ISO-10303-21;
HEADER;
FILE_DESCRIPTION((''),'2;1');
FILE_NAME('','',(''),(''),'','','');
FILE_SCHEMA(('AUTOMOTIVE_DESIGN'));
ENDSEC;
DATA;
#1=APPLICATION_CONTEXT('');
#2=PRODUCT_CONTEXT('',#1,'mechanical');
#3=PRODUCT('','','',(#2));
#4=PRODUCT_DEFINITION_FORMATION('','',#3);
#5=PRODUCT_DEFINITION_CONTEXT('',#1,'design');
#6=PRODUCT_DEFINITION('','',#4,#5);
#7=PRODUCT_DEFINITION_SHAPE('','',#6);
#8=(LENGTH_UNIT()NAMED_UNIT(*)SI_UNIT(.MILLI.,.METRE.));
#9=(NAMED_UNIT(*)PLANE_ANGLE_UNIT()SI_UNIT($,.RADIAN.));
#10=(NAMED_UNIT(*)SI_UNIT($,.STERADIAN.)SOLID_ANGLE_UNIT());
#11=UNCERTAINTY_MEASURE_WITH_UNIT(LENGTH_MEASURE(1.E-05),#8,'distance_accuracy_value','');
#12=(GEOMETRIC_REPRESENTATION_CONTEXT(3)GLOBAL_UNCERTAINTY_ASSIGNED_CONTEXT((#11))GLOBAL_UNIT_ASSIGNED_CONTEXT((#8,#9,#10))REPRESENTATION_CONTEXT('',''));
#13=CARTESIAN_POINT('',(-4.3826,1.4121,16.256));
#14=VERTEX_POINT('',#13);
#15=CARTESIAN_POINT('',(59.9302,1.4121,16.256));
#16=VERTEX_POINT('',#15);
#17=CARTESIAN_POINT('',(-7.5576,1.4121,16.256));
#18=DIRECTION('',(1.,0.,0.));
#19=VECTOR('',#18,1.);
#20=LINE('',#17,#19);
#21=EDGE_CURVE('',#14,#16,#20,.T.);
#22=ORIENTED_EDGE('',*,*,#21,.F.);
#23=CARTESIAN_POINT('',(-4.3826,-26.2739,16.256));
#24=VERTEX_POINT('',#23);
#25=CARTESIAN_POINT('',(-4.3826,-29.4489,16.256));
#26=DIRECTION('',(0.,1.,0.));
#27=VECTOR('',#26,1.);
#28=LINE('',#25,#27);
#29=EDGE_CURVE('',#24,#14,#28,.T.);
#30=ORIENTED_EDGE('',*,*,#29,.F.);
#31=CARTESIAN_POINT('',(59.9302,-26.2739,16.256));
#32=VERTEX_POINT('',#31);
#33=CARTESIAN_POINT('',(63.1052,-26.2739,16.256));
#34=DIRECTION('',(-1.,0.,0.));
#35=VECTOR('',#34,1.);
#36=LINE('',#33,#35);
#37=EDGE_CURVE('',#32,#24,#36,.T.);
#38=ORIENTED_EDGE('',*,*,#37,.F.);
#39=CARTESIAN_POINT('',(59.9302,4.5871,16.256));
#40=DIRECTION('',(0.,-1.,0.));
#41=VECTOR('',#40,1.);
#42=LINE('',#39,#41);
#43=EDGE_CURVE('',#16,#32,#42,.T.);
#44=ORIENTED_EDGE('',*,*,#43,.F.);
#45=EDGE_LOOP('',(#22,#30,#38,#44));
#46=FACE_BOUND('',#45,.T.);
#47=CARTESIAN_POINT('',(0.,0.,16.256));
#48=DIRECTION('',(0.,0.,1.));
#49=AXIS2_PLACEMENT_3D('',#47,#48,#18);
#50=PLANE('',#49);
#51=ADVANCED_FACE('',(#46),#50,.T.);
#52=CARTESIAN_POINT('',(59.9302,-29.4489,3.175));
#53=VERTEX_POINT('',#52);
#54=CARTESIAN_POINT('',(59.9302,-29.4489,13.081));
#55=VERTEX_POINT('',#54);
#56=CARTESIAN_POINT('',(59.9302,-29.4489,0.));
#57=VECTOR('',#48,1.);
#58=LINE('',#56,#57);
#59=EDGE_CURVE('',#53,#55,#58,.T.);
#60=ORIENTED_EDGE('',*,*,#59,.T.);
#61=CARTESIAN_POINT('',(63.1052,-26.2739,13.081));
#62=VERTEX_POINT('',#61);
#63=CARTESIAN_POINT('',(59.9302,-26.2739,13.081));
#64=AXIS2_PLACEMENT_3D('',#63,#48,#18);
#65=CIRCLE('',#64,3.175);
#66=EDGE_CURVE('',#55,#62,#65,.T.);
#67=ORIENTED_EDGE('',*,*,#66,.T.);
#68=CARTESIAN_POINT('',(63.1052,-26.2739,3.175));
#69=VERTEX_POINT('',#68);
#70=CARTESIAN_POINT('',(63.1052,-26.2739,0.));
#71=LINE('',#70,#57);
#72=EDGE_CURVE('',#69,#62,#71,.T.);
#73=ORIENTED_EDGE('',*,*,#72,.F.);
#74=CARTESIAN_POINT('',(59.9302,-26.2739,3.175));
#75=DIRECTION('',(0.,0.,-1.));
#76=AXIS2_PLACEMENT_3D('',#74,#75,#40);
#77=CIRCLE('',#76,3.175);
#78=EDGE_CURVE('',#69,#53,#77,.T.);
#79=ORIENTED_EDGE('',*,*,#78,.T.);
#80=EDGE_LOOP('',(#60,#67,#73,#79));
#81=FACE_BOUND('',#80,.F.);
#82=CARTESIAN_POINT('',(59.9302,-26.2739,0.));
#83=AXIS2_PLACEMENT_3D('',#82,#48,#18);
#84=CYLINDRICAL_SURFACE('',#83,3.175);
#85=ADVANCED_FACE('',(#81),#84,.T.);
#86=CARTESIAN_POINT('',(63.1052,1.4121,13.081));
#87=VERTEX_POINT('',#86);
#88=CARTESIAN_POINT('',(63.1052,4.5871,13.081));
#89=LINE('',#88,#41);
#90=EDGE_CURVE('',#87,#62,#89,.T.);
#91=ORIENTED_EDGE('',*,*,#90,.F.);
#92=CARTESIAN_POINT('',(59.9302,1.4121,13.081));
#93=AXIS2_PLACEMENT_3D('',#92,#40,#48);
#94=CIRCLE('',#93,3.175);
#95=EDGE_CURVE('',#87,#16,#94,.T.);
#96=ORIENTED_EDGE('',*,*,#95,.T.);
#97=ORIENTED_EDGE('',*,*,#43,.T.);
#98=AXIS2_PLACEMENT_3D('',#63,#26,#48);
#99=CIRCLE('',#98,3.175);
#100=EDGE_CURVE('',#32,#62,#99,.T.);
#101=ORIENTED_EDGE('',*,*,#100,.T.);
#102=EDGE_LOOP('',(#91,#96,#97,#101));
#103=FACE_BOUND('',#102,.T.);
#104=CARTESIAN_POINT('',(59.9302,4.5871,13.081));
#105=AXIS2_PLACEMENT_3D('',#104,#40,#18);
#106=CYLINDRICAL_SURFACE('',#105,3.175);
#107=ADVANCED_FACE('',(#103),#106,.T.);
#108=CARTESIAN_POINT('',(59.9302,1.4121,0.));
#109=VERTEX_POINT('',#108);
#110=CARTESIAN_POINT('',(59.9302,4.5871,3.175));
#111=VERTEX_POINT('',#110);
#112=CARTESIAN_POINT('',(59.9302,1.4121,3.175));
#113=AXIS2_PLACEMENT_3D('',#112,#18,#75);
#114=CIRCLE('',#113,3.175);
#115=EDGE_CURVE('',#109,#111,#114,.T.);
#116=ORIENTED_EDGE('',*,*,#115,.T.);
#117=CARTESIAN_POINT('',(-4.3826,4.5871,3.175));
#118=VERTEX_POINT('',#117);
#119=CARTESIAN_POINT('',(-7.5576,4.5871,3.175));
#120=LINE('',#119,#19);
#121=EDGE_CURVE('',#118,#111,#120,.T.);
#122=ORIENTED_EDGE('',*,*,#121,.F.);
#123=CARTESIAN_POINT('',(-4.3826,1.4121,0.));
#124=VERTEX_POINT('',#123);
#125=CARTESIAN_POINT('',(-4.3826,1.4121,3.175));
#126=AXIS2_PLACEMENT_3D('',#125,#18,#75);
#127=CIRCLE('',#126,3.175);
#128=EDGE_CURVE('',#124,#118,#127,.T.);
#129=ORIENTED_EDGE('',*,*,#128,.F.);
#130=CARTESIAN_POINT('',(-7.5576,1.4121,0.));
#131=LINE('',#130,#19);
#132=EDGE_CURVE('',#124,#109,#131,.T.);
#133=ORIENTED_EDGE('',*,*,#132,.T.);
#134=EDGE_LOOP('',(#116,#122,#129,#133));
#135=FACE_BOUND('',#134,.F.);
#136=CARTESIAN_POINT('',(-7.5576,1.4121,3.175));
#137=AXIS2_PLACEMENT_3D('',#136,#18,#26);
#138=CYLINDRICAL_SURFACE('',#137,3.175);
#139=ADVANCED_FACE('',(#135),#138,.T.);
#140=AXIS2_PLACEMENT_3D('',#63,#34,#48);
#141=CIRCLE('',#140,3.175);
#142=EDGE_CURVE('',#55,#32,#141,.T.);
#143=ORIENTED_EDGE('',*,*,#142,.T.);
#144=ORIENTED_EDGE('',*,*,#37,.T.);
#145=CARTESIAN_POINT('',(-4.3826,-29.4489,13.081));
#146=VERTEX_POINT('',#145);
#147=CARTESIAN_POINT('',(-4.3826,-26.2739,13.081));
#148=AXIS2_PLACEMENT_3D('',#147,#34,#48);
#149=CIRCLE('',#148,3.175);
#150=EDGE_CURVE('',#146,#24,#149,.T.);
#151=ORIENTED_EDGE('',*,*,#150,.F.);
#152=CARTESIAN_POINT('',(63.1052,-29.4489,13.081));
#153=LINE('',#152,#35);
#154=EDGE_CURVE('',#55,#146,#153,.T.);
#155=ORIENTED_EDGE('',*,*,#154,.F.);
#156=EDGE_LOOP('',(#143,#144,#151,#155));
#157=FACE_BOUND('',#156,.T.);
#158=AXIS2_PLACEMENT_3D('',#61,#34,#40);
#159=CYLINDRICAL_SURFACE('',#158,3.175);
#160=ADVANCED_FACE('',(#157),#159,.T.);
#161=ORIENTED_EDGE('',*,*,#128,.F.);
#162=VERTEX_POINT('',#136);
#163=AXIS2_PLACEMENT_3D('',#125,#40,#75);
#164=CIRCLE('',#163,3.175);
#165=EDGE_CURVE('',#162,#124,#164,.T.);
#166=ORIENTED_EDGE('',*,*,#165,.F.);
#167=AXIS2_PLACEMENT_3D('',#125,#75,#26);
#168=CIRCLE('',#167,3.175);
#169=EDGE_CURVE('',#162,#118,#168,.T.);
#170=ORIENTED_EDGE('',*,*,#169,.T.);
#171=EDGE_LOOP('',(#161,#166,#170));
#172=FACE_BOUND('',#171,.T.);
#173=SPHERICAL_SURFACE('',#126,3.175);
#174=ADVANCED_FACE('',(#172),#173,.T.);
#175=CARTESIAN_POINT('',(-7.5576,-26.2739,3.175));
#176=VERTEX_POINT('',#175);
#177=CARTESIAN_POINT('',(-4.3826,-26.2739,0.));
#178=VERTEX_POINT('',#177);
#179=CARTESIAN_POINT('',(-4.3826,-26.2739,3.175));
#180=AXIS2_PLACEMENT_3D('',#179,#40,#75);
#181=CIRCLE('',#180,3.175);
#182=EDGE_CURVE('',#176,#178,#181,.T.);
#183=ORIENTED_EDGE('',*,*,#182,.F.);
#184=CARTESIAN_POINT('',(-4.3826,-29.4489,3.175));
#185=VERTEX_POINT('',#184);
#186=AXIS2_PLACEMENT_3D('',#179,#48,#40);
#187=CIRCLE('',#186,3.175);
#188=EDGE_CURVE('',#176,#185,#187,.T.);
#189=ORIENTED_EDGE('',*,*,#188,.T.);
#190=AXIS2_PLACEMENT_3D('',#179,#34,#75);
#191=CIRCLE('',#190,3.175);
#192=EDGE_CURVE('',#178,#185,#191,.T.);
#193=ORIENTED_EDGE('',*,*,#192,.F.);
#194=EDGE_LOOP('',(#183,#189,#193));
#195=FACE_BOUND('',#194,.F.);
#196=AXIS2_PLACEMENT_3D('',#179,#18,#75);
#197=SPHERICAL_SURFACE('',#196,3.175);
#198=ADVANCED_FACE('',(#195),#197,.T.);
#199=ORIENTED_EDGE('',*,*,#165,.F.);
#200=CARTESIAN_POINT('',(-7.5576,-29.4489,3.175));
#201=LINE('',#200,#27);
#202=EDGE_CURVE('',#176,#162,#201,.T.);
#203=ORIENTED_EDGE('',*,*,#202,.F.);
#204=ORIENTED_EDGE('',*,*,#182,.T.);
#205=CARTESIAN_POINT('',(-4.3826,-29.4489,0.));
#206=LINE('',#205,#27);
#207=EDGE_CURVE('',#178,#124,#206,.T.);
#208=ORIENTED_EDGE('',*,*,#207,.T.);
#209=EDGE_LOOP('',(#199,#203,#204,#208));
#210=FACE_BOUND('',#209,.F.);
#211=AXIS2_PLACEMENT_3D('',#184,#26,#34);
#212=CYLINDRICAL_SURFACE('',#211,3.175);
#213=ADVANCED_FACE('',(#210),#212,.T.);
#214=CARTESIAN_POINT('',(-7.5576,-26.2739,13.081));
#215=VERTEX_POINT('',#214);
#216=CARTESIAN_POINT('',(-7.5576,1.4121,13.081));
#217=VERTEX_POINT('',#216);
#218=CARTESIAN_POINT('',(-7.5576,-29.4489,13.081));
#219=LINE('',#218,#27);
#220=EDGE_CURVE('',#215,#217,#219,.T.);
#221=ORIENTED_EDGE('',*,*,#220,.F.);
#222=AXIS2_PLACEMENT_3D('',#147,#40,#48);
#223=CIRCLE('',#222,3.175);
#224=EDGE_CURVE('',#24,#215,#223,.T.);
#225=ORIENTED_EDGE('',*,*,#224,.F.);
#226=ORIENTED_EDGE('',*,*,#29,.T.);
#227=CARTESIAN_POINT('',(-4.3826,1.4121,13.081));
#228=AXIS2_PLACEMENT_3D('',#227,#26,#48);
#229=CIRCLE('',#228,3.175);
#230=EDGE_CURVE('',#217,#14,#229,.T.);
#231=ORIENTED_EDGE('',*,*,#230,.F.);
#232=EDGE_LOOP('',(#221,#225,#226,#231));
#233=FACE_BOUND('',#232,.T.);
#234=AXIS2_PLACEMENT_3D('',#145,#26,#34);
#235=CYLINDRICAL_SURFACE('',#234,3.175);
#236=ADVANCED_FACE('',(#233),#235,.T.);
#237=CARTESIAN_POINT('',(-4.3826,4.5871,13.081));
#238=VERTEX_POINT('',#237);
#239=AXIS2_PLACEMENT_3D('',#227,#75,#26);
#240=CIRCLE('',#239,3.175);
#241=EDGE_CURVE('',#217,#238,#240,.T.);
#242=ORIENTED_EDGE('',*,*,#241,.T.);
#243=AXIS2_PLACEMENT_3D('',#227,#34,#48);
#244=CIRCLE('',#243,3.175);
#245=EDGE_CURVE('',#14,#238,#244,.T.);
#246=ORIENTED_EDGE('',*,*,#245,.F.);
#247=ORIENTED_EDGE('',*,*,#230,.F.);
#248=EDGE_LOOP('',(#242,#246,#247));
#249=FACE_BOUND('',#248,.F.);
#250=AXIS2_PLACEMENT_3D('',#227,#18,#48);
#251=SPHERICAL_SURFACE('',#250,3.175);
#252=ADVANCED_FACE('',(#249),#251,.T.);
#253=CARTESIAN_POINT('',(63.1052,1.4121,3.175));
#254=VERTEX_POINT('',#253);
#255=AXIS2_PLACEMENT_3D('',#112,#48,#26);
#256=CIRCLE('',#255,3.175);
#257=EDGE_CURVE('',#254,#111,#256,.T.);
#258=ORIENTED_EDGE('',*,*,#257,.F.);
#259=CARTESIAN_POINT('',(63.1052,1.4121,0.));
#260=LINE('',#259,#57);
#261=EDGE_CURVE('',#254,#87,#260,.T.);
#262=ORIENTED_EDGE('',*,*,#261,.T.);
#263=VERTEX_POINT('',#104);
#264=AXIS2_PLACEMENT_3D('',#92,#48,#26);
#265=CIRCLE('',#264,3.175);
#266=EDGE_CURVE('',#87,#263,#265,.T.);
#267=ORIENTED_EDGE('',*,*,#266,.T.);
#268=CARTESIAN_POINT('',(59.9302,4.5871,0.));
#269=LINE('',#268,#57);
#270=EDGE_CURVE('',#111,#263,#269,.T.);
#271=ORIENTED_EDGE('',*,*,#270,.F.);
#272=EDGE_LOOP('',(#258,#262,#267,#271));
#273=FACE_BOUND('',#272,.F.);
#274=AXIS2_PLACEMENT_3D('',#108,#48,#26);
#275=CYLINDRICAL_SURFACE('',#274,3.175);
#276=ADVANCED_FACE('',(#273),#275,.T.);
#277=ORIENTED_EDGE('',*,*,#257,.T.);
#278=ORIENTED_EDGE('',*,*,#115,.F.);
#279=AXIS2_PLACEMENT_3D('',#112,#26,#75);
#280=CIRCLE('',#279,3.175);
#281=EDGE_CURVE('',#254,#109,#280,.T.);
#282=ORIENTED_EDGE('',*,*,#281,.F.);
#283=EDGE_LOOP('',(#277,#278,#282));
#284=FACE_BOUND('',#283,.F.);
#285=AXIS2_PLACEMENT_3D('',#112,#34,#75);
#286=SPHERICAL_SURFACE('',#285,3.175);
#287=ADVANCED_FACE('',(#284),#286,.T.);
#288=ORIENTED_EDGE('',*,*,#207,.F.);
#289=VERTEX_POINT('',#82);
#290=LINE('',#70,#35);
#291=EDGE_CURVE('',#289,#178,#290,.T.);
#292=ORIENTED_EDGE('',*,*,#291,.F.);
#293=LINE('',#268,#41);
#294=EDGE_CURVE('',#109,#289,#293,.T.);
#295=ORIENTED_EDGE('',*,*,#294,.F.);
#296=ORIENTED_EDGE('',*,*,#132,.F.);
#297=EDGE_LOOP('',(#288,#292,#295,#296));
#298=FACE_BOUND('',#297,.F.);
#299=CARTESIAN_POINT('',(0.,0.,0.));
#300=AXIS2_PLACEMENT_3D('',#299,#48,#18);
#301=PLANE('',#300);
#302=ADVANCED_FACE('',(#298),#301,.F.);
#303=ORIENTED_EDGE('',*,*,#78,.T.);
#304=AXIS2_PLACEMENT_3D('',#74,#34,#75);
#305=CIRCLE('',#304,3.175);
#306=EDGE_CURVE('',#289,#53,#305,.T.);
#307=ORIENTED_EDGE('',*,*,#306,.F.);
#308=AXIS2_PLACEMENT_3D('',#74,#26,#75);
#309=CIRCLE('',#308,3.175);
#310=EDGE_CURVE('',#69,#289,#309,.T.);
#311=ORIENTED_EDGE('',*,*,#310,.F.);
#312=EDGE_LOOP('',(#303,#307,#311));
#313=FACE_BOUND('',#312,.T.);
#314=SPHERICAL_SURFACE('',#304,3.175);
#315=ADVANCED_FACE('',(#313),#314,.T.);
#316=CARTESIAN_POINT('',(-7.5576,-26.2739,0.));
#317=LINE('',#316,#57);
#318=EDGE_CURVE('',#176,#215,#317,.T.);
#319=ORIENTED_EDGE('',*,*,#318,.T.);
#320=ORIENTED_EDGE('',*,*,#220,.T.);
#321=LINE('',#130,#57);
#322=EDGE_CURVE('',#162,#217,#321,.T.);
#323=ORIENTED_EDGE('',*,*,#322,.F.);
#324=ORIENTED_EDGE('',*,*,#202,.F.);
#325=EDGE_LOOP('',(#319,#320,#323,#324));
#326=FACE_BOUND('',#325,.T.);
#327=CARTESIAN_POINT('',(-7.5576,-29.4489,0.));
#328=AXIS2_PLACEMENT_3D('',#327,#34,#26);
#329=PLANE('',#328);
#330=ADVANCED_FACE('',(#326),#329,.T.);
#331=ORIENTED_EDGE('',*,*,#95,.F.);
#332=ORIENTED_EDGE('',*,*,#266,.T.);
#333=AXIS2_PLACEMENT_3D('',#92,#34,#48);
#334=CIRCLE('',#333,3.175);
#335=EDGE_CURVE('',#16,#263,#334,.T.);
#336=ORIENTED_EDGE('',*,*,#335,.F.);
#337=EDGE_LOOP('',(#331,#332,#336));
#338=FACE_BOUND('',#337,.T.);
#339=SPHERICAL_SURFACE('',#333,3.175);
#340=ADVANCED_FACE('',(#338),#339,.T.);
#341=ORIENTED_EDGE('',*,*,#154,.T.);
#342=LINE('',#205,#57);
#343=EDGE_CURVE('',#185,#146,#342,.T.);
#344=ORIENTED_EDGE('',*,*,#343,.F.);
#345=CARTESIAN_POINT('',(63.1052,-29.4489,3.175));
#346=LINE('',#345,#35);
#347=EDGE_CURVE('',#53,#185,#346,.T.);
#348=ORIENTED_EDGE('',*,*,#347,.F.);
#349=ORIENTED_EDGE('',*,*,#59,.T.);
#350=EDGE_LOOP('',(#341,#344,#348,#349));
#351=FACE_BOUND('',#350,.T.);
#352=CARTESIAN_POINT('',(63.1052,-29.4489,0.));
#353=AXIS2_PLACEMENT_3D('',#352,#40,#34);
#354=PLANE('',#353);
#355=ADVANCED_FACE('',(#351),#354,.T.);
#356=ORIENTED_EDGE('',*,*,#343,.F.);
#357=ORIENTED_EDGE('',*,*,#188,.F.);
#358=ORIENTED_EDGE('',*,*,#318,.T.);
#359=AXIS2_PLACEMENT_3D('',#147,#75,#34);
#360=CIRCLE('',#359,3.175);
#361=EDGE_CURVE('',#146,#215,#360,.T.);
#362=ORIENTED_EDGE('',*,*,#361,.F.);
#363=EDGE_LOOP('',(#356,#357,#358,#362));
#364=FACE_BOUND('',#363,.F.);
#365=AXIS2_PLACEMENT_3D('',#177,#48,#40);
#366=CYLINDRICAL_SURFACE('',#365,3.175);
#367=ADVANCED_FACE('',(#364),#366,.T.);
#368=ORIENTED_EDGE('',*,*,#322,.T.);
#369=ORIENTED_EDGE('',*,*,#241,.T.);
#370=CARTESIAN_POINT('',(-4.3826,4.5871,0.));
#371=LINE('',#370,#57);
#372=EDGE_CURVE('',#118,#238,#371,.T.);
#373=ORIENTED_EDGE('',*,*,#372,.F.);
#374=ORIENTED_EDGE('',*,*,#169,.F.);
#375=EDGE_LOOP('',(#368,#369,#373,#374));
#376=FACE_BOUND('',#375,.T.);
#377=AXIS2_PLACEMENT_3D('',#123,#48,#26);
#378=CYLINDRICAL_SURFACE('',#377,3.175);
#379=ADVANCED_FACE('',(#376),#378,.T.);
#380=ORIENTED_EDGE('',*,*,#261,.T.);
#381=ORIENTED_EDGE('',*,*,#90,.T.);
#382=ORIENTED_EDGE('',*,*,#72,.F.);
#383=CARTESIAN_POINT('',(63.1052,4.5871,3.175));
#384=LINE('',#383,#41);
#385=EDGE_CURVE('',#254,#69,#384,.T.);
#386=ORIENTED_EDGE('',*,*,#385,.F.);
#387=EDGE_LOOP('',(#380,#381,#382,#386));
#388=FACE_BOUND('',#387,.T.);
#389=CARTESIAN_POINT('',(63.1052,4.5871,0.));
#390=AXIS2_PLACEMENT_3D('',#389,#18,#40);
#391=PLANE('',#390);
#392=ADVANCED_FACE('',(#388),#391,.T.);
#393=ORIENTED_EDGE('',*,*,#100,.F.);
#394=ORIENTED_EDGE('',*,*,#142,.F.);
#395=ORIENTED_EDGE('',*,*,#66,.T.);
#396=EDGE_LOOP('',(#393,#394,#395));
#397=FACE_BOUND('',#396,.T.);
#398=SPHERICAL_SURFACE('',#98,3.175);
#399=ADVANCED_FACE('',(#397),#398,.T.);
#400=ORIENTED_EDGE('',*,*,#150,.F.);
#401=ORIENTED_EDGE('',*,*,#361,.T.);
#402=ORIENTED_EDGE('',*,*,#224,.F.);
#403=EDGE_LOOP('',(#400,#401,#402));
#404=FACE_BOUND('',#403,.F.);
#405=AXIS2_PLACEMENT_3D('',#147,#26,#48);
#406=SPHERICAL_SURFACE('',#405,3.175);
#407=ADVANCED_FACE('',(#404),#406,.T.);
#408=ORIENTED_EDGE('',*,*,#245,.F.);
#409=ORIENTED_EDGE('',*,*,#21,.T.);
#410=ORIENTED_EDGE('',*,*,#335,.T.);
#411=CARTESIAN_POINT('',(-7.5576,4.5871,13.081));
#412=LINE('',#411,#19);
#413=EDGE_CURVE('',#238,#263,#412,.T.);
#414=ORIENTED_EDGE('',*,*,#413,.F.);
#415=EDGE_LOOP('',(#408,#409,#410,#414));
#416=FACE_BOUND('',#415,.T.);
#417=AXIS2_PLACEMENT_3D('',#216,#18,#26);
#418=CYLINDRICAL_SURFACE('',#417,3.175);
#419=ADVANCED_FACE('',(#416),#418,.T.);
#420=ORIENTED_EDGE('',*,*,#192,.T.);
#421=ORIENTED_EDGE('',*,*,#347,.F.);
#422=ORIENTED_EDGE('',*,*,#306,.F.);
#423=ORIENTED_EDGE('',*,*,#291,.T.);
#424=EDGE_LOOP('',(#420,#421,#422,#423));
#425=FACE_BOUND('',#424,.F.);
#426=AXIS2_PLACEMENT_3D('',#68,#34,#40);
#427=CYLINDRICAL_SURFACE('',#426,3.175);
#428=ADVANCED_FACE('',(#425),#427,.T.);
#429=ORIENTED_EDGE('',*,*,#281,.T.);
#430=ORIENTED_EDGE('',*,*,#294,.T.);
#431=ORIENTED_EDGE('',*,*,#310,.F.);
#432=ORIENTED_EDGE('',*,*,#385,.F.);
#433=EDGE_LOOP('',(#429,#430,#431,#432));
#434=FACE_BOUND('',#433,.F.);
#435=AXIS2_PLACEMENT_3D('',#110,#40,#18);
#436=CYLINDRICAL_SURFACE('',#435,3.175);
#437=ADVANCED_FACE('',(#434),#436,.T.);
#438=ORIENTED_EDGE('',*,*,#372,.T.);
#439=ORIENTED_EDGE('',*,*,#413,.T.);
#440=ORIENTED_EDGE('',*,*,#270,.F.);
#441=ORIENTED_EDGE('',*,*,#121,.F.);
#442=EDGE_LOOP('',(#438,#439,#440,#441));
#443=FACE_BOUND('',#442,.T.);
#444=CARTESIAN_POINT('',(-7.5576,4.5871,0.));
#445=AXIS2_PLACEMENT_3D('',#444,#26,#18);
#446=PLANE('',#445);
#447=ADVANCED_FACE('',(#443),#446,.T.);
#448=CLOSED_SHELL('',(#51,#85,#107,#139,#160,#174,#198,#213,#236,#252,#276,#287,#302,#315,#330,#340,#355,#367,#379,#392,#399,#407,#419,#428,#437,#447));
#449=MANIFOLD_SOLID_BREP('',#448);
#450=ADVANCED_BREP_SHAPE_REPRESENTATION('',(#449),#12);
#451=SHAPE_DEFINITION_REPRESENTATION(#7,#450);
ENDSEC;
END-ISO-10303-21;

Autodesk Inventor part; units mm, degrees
ref_plane "YZ Plane" through (0, 0, 0) normal (1, 0, 0) x (0, 1, 0)
ref_plane "XZ Plane" through (0, 0, 0) normal (0, 1, 0) x (-1, 0, 0)
ref_plane "XY Plane" through (0, 0, 0) normal (0, 0, 1) x (1, 0, 0)
sketch "Sketch1" plane through (0, 0, 0) normal (0, 0, 1) x (1, 0, 0)
  line L0 (-7.5576, 4.5871) -> (63.1052, 4.5871)
  line L1 (63.1052, 4.5871) -> (63.1052, -29.4489)
  line L2 (63.1052, -29.4489) -> (-7.5576, -29.4489)
  line L3 (-7.5576, -29.4489) -> (-7.5576, 4.5871)
  point P0 (0, 0)
  dimension "d0" = 70.6628
  dimension "d1" = 34.036
extrude "Extrusion1" add sketch "Sketch1" along normal blind 16.256
fillet "Fillet1" radius 3.175 12 edges at (27.7738, 4.5871, 16.256) (-7.5576, -12.4309, 16.256) (63.1052, -12.4309, 16.256) (27.7738, -29.4489, 16.256) (27.7738, 4.5871, 0) (27.7738, -29.4489, 0) (63.1052, -12.4309, 0) (-7.5576, -12.4309, 0) (-7.5576, -29.4489, 8.128) (-7.5576, 4.5871, 8.128) (63.1052, 4.5871, 8.128) (63.1052, -29.4489, 8.128)
properties part number "Battery"
